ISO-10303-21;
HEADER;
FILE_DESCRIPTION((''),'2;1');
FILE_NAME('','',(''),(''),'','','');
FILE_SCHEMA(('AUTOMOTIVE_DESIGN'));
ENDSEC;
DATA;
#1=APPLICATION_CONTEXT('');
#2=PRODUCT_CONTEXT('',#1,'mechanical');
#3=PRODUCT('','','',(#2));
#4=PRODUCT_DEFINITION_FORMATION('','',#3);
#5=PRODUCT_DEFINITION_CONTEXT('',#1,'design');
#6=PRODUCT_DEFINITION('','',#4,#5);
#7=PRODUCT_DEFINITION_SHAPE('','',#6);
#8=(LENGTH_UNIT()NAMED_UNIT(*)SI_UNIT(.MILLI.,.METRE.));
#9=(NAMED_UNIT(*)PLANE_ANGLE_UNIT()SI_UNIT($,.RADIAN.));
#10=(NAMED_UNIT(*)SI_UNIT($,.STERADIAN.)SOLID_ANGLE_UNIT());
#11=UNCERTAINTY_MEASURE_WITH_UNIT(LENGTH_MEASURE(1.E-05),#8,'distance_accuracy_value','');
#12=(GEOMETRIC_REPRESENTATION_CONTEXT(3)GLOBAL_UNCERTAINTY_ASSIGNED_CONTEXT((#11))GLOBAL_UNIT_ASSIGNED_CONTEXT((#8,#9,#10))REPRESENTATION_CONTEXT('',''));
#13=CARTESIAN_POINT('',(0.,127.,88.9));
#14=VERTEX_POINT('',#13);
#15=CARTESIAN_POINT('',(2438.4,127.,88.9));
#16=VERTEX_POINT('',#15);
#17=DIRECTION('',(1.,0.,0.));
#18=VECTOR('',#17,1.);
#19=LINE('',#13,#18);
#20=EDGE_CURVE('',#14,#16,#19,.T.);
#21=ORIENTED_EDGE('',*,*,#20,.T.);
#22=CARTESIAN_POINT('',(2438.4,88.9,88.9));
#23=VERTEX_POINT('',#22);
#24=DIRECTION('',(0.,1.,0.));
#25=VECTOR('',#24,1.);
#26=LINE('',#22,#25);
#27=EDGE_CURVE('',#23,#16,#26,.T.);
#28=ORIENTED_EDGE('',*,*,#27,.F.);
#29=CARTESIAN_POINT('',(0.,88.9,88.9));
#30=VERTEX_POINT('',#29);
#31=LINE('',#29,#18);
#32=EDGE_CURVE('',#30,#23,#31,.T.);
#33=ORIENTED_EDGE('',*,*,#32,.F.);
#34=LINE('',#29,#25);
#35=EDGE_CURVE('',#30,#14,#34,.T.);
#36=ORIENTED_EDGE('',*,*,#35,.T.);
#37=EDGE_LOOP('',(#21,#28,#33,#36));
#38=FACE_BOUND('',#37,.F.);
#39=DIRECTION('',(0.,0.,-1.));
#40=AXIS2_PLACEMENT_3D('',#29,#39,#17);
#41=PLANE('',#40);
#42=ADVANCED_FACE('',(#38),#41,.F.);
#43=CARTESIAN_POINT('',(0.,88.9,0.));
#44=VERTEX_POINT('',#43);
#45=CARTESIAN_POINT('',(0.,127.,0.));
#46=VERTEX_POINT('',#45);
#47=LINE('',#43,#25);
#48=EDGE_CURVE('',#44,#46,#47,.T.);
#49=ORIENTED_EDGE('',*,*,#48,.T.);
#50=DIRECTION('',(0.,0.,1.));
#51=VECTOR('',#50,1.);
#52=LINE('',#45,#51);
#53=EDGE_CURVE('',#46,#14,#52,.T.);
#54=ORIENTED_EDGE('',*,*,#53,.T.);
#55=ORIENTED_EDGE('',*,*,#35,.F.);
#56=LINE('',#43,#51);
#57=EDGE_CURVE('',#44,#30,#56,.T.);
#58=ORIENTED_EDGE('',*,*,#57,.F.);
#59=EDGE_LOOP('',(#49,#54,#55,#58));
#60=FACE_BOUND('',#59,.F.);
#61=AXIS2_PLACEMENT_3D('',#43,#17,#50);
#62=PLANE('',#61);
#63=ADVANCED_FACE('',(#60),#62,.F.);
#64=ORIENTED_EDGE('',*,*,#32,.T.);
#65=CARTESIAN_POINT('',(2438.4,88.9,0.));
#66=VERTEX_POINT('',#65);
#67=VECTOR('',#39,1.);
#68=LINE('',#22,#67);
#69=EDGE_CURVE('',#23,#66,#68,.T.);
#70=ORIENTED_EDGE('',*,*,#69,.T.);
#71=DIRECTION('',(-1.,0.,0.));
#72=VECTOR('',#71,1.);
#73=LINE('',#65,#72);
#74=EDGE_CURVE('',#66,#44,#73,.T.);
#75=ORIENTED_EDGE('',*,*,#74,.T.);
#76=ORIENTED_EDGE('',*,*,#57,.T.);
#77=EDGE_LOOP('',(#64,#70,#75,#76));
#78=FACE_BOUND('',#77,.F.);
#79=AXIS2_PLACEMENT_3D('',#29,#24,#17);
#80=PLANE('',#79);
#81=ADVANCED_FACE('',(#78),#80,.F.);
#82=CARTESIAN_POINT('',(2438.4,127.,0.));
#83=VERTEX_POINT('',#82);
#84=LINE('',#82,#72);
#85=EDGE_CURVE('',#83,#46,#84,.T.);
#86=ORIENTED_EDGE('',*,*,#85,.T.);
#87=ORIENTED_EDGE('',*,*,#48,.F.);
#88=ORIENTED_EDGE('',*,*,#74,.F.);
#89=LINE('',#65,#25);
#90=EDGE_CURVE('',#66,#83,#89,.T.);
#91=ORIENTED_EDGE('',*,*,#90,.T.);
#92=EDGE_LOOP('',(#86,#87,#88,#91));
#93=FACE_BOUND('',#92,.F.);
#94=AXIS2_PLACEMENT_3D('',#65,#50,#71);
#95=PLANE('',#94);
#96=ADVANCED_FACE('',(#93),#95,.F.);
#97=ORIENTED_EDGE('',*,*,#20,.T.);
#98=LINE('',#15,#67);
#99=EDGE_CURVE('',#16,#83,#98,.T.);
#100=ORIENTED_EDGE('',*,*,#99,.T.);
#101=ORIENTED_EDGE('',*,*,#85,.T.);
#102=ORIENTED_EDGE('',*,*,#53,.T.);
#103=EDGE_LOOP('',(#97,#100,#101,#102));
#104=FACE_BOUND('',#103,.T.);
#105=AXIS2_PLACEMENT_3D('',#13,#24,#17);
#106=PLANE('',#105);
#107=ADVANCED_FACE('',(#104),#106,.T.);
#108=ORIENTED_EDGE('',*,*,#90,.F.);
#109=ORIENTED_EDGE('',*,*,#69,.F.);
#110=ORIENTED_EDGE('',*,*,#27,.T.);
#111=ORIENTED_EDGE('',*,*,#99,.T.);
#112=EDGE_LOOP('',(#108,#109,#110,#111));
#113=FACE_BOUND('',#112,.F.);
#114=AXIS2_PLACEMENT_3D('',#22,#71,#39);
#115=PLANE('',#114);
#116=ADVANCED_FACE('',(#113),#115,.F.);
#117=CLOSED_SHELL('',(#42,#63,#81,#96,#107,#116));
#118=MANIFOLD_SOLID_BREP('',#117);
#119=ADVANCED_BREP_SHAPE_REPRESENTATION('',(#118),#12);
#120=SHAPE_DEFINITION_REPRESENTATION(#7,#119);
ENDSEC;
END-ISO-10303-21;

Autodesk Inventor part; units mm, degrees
ref_plane "YZ Plane" through (0, 0, 0) normal (1, 0, 0) x (0, 1, 0)
ref_plane "XZ Plane" through (0, 0, 0) normal (0, 1, 0) x (-1, 0, 0)
ref_plane "XY Plane" through (0, 0, 0) normal (0, 0, 1) x (1, 0, 0)
sketch "Sketch1" plane through (0, 0, 0) normal (0, 0, 1) x (1, 0, 0)
  line L0 (0, 0) -> (2438.4, 0)
  line L1 (2438.4, 0) -> (2438.4, 88.9)
  line L2 (2438.4, 88.9) -> (0, 88.9)
  line L3 (0, 88.9) -> (0, 0)
  dimension "d0" = 2438.4
  dimension "d1" = 88.9
extrude "Extrusion1" add sketch "Sketch1" along normal blind 38.1
move or copy body "Move Body1" bodies to move or copy 1 copy no rotation origin (0, 0, 0) rotation axis (1, 0, 0) rotation angle -90 translate (0, 88.9, 88.9)
properties part number "2x4x96"
